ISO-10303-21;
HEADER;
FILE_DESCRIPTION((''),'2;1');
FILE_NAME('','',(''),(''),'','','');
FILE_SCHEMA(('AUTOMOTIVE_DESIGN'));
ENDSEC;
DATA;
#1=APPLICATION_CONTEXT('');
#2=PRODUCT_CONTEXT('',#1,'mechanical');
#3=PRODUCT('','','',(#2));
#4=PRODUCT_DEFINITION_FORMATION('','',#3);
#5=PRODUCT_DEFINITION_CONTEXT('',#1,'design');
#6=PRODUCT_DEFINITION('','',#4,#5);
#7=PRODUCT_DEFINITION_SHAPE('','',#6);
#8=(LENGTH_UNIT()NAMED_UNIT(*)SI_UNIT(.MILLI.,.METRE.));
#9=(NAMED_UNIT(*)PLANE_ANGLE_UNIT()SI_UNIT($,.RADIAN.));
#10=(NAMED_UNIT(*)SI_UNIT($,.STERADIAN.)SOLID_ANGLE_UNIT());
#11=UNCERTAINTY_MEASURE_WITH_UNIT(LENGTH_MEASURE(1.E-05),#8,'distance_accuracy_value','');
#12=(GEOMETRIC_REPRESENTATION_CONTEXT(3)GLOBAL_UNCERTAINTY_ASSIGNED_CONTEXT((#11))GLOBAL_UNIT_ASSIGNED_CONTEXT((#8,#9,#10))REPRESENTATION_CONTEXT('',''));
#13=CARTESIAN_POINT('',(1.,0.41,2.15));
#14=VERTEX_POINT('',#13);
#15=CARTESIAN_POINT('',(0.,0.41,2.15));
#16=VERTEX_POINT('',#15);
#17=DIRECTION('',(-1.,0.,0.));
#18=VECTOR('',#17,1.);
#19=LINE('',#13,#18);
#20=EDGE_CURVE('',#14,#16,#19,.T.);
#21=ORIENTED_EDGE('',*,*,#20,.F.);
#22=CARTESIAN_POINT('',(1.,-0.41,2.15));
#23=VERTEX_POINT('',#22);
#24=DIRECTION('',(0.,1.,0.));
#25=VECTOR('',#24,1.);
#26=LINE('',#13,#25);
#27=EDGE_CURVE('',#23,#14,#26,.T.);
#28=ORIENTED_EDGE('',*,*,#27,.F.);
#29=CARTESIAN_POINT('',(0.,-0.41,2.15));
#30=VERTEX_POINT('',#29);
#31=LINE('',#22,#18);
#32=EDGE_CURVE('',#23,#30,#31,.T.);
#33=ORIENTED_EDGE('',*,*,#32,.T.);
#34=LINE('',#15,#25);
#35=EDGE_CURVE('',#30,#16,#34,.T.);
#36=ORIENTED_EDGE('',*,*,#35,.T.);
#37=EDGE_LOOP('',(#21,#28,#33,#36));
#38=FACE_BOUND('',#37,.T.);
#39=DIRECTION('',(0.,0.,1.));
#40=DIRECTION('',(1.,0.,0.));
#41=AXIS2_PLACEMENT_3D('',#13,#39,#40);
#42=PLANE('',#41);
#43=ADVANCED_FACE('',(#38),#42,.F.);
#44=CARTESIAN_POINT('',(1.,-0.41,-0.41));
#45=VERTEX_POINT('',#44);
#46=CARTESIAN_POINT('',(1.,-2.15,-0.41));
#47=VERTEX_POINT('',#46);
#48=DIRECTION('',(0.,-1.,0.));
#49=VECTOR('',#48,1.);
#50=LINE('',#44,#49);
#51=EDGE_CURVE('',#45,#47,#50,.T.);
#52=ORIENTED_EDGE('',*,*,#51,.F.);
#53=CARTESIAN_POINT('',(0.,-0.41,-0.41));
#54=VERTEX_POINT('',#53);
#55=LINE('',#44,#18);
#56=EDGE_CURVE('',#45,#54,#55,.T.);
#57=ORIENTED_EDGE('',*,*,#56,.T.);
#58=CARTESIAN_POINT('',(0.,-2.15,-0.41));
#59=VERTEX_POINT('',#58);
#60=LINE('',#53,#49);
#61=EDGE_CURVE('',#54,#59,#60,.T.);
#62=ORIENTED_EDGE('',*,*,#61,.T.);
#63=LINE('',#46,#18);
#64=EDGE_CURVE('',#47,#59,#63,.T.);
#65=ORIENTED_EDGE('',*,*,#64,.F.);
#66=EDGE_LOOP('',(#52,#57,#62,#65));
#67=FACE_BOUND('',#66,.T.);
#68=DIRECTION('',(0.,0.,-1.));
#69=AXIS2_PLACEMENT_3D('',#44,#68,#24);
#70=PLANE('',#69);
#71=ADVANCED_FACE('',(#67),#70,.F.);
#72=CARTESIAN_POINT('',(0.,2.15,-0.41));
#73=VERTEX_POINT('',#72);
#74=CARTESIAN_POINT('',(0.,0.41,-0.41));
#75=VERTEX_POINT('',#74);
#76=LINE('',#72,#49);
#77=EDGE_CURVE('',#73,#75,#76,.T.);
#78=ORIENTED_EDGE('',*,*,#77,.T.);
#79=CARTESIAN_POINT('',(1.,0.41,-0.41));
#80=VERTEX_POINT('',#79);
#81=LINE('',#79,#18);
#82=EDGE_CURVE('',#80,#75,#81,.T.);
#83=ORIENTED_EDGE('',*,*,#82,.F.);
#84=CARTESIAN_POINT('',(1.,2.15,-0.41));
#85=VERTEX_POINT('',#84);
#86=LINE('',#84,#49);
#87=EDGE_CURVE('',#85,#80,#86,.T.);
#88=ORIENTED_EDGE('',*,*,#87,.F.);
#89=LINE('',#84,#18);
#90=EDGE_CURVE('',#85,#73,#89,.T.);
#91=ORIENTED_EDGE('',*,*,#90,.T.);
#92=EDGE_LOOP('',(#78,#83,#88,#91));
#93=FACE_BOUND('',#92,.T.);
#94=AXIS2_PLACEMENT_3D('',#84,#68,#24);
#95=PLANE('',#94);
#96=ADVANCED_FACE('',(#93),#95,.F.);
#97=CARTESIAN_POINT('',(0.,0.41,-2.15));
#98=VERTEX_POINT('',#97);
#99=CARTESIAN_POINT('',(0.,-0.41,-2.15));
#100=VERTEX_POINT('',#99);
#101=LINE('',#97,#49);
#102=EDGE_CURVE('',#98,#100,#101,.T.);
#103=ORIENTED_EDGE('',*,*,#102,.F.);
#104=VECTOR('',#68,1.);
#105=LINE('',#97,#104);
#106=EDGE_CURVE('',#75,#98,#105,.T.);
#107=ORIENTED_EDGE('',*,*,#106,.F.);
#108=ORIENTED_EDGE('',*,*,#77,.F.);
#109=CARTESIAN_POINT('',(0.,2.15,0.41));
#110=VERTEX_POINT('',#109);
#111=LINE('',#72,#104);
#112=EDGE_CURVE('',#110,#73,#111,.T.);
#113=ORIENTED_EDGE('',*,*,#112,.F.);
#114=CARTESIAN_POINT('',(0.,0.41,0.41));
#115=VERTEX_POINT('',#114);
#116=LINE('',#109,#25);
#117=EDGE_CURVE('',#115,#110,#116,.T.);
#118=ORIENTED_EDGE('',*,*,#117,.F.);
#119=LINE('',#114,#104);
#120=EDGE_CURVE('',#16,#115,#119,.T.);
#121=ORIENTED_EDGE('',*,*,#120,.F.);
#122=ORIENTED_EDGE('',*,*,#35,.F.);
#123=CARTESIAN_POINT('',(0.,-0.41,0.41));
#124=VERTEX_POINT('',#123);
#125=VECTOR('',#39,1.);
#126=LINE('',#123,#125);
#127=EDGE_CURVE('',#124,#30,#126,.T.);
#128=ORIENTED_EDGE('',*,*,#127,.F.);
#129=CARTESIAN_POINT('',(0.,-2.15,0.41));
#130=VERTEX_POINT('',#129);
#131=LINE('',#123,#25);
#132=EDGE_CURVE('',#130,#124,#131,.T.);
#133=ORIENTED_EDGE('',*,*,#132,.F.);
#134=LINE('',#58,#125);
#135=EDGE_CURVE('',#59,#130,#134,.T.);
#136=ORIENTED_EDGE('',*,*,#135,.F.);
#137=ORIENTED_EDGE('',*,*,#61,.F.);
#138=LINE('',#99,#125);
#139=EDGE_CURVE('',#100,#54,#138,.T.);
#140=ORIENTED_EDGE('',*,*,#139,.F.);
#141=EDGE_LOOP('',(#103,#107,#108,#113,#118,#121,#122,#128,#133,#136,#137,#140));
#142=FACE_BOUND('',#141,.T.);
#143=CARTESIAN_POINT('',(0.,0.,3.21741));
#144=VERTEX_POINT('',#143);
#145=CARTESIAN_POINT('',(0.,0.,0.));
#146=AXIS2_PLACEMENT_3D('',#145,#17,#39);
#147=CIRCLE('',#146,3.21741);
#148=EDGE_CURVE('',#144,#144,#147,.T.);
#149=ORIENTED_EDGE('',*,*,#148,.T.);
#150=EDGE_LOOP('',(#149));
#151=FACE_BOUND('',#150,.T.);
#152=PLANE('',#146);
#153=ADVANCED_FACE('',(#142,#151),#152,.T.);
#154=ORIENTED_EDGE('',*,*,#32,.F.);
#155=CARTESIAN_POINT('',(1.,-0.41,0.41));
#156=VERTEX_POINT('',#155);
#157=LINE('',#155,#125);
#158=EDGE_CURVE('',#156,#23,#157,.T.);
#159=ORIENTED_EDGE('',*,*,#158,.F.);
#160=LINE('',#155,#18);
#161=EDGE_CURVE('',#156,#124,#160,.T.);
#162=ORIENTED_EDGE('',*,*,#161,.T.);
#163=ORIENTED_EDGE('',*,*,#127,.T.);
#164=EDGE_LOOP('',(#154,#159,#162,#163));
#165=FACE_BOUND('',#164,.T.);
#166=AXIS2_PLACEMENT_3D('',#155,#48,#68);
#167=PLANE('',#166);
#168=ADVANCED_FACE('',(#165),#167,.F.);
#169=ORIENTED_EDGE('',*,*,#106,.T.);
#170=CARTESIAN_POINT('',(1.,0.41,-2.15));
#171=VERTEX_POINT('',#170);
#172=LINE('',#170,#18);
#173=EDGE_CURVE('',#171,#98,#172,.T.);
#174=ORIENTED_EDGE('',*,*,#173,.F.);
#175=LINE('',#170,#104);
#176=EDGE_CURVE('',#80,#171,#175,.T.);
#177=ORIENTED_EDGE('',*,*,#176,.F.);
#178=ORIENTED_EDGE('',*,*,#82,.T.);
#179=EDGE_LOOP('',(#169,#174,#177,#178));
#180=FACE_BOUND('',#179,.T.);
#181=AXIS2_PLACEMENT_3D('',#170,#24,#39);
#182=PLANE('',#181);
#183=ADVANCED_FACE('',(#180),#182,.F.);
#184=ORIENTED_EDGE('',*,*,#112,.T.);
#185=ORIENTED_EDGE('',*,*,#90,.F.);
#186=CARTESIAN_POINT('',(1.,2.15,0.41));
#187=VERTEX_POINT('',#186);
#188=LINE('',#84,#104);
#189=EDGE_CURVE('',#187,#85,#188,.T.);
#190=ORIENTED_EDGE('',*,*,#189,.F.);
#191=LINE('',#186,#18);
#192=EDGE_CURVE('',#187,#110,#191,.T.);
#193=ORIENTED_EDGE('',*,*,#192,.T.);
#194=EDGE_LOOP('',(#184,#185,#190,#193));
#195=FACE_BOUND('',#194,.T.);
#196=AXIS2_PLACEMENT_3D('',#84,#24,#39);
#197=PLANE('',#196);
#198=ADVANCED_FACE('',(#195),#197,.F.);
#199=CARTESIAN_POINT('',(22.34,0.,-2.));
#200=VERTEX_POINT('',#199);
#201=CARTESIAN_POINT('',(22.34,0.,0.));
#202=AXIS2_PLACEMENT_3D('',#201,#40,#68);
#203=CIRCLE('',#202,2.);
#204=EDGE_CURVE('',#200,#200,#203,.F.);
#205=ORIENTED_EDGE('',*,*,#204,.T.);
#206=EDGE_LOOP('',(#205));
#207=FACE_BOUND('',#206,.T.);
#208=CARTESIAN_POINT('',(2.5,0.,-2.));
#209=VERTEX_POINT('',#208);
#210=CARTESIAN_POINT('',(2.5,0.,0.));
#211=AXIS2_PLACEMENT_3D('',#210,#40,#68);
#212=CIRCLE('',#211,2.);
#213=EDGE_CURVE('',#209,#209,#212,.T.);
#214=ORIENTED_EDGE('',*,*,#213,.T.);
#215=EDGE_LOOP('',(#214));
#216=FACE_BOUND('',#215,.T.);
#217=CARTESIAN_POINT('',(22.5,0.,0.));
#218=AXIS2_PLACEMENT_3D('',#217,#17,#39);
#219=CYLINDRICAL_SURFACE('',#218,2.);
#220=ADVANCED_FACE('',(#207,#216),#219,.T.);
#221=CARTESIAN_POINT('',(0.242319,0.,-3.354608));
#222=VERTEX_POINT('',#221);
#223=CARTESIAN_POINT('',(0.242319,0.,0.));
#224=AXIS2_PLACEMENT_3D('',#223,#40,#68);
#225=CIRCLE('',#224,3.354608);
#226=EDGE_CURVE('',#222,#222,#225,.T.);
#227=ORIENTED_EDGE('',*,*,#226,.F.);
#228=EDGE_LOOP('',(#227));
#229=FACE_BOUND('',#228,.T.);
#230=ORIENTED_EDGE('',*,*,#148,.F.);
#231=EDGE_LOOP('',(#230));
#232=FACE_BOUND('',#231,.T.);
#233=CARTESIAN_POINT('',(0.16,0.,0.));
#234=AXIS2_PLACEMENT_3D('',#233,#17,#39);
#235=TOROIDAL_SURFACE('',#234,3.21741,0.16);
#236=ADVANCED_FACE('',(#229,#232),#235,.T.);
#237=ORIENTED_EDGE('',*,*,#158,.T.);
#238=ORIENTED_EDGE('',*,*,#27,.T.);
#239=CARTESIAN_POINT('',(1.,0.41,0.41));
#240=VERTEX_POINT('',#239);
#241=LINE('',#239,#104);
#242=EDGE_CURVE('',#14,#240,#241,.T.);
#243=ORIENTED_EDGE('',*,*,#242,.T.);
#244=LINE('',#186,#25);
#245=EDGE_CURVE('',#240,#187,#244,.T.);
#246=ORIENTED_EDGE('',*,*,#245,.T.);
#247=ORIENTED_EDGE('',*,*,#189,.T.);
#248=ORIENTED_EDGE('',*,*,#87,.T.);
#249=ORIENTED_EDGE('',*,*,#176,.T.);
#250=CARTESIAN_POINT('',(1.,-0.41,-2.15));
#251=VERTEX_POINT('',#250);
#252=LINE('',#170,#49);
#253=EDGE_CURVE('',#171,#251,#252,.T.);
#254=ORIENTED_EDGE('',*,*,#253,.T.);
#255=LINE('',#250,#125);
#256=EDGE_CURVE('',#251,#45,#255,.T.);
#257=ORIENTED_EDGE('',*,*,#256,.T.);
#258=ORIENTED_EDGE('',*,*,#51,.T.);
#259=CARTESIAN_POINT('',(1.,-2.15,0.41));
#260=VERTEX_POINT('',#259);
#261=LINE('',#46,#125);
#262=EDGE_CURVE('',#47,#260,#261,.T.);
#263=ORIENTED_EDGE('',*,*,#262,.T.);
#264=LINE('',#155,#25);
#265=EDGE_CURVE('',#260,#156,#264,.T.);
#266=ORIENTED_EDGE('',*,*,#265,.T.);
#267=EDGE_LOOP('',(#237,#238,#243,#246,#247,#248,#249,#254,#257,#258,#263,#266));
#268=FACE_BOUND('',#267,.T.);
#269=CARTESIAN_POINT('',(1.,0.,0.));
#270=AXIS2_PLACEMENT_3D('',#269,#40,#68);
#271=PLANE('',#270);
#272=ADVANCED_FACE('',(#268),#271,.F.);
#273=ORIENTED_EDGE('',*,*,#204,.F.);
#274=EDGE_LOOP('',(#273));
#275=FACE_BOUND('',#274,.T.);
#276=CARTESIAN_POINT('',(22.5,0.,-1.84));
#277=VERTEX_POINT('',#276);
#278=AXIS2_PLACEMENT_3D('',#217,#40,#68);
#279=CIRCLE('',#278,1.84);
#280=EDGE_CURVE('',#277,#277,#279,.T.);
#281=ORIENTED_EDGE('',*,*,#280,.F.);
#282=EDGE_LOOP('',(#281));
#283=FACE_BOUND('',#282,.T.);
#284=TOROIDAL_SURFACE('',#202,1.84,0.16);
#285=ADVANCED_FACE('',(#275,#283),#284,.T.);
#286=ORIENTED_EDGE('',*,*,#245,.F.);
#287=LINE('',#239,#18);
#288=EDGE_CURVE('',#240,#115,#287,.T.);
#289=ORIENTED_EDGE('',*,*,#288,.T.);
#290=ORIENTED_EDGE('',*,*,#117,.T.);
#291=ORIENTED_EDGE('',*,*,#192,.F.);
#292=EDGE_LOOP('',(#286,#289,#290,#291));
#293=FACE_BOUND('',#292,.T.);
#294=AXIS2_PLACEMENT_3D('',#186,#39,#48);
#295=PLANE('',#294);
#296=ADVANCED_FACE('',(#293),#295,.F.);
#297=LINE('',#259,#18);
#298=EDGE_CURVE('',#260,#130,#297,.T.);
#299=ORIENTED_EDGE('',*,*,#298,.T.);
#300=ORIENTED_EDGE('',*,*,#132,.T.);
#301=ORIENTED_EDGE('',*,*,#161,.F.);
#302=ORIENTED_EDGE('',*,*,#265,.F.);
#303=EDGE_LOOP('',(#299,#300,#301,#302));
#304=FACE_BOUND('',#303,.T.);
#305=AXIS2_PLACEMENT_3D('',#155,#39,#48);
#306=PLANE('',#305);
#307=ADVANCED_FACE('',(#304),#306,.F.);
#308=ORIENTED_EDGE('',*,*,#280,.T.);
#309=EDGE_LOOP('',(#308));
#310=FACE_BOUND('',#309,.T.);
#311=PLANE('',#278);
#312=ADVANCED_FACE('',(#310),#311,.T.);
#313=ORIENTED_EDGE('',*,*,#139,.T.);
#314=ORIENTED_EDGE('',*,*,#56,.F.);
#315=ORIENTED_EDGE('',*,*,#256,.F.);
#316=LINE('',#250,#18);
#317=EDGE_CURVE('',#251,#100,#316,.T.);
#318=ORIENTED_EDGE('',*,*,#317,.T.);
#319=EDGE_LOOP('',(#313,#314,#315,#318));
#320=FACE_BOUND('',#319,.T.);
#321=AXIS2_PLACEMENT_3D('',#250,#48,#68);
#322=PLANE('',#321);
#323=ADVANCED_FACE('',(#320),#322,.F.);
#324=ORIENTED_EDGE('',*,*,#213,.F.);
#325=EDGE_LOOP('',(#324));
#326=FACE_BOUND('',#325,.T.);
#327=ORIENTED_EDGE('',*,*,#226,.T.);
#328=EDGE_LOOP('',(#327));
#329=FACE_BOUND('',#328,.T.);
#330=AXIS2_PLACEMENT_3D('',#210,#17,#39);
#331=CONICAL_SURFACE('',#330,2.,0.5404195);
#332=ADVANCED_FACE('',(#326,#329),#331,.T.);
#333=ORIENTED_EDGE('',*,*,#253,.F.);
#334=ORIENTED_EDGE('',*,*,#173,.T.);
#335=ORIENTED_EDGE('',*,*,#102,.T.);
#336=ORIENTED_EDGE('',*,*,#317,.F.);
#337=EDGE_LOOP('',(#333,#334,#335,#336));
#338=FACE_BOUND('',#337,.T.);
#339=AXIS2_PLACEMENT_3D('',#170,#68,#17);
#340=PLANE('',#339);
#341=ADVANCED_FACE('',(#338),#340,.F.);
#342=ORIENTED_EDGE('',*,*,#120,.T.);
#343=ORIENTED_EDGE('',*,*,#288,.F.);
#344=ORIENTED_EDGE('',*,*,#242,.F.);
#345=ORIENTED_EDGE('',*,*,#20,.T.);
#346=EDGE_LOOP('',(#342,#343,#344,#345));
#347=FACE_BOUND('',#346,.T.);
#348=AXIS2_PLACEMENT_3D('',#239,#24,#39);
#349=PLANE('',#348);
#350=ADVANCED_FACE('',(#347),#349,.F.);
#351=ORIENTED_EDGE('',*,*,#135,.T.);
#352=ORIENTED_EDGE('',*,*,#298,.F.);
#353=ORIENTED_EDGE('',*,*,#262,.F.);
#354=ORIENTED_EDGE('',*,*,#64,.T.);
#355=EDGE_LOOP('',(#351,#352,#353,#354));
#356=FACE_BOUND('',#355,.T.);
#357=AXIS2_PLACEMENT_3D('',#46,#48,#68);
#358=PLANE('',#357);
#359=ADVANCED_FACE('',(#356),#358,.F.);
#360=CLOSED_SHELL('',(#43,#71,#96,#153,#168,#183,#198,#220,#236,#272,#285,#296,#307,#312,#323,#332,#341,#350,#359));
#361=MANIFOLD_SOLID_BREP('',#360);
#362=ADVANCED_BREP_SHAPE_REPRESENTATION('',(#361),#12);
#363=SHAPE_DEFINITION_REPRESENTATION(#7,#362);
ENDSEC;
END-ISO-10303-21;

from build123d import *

# Parameters (mm, degrees)
FILLET_1_R          = 0.16
SKETCH_2_R          = 2
EXTRUDE_1_DEPTH     = 20
FILLET_2_R          = 0.16
CUT_EXTRUDE_1_DEPTH = 1


with BuildPart() as part:
    # 草图1 → 旋转1 (revolve)
    with BuildSketch(Plane.XY):
        Polygon((0, 0), (0, 3.5), (2.5, 2), (2.5, 0), align=None)
    revolve(axis=Axis((0, 0, 0), (-1, 0, 0)))

    # 圆角1
    fillet_1_edges = [part.edges().sort_by_distance(p)[0] for p in [
        (0, -3.5, 0),
    ]]
    fillet(fillet_1_edges, radius=FILLET_1_R)

    # 草图2 → 凸台-拉伸1 (add)
    with BuildSketch(Plane(origin=(2.5, 0, 0), x_dir=(0, 0, -1), z_dir=(1, 0, 0))):
        Circle(SKETCH_2_R)
    extrude(amount=EXTRUDE_1_DEPTH)

    # 圆角2
    fillet_2_edges = [part.edges().sort_by_distance(p)[0] for p in [
        (22.5, 0, 2),
    ]]
    fillet(fillet_2_edges, radius=FILLET_2_R)

    # 草图3 → 切除-拉伸1 (cut)
    with BuildSketch(Plane.ZY):
        Polygon((0.41, -0.41), (0.41, -2.15), (-0.41, -2.15), (-0.41, -0.41), (-2.15, -0.41), (-2.15, 0.41), (-0.41, 0.41), (-0.41, 2.15), (0.41, 2.15), (0.41, 0.41), (2.15, 0.41), (2.15, -0.41), align=None)
    extrude(amount=-CUT_EXTRUDE_1_DEPTH, mode=Mode.SUBTRACT)


solid = part.part
